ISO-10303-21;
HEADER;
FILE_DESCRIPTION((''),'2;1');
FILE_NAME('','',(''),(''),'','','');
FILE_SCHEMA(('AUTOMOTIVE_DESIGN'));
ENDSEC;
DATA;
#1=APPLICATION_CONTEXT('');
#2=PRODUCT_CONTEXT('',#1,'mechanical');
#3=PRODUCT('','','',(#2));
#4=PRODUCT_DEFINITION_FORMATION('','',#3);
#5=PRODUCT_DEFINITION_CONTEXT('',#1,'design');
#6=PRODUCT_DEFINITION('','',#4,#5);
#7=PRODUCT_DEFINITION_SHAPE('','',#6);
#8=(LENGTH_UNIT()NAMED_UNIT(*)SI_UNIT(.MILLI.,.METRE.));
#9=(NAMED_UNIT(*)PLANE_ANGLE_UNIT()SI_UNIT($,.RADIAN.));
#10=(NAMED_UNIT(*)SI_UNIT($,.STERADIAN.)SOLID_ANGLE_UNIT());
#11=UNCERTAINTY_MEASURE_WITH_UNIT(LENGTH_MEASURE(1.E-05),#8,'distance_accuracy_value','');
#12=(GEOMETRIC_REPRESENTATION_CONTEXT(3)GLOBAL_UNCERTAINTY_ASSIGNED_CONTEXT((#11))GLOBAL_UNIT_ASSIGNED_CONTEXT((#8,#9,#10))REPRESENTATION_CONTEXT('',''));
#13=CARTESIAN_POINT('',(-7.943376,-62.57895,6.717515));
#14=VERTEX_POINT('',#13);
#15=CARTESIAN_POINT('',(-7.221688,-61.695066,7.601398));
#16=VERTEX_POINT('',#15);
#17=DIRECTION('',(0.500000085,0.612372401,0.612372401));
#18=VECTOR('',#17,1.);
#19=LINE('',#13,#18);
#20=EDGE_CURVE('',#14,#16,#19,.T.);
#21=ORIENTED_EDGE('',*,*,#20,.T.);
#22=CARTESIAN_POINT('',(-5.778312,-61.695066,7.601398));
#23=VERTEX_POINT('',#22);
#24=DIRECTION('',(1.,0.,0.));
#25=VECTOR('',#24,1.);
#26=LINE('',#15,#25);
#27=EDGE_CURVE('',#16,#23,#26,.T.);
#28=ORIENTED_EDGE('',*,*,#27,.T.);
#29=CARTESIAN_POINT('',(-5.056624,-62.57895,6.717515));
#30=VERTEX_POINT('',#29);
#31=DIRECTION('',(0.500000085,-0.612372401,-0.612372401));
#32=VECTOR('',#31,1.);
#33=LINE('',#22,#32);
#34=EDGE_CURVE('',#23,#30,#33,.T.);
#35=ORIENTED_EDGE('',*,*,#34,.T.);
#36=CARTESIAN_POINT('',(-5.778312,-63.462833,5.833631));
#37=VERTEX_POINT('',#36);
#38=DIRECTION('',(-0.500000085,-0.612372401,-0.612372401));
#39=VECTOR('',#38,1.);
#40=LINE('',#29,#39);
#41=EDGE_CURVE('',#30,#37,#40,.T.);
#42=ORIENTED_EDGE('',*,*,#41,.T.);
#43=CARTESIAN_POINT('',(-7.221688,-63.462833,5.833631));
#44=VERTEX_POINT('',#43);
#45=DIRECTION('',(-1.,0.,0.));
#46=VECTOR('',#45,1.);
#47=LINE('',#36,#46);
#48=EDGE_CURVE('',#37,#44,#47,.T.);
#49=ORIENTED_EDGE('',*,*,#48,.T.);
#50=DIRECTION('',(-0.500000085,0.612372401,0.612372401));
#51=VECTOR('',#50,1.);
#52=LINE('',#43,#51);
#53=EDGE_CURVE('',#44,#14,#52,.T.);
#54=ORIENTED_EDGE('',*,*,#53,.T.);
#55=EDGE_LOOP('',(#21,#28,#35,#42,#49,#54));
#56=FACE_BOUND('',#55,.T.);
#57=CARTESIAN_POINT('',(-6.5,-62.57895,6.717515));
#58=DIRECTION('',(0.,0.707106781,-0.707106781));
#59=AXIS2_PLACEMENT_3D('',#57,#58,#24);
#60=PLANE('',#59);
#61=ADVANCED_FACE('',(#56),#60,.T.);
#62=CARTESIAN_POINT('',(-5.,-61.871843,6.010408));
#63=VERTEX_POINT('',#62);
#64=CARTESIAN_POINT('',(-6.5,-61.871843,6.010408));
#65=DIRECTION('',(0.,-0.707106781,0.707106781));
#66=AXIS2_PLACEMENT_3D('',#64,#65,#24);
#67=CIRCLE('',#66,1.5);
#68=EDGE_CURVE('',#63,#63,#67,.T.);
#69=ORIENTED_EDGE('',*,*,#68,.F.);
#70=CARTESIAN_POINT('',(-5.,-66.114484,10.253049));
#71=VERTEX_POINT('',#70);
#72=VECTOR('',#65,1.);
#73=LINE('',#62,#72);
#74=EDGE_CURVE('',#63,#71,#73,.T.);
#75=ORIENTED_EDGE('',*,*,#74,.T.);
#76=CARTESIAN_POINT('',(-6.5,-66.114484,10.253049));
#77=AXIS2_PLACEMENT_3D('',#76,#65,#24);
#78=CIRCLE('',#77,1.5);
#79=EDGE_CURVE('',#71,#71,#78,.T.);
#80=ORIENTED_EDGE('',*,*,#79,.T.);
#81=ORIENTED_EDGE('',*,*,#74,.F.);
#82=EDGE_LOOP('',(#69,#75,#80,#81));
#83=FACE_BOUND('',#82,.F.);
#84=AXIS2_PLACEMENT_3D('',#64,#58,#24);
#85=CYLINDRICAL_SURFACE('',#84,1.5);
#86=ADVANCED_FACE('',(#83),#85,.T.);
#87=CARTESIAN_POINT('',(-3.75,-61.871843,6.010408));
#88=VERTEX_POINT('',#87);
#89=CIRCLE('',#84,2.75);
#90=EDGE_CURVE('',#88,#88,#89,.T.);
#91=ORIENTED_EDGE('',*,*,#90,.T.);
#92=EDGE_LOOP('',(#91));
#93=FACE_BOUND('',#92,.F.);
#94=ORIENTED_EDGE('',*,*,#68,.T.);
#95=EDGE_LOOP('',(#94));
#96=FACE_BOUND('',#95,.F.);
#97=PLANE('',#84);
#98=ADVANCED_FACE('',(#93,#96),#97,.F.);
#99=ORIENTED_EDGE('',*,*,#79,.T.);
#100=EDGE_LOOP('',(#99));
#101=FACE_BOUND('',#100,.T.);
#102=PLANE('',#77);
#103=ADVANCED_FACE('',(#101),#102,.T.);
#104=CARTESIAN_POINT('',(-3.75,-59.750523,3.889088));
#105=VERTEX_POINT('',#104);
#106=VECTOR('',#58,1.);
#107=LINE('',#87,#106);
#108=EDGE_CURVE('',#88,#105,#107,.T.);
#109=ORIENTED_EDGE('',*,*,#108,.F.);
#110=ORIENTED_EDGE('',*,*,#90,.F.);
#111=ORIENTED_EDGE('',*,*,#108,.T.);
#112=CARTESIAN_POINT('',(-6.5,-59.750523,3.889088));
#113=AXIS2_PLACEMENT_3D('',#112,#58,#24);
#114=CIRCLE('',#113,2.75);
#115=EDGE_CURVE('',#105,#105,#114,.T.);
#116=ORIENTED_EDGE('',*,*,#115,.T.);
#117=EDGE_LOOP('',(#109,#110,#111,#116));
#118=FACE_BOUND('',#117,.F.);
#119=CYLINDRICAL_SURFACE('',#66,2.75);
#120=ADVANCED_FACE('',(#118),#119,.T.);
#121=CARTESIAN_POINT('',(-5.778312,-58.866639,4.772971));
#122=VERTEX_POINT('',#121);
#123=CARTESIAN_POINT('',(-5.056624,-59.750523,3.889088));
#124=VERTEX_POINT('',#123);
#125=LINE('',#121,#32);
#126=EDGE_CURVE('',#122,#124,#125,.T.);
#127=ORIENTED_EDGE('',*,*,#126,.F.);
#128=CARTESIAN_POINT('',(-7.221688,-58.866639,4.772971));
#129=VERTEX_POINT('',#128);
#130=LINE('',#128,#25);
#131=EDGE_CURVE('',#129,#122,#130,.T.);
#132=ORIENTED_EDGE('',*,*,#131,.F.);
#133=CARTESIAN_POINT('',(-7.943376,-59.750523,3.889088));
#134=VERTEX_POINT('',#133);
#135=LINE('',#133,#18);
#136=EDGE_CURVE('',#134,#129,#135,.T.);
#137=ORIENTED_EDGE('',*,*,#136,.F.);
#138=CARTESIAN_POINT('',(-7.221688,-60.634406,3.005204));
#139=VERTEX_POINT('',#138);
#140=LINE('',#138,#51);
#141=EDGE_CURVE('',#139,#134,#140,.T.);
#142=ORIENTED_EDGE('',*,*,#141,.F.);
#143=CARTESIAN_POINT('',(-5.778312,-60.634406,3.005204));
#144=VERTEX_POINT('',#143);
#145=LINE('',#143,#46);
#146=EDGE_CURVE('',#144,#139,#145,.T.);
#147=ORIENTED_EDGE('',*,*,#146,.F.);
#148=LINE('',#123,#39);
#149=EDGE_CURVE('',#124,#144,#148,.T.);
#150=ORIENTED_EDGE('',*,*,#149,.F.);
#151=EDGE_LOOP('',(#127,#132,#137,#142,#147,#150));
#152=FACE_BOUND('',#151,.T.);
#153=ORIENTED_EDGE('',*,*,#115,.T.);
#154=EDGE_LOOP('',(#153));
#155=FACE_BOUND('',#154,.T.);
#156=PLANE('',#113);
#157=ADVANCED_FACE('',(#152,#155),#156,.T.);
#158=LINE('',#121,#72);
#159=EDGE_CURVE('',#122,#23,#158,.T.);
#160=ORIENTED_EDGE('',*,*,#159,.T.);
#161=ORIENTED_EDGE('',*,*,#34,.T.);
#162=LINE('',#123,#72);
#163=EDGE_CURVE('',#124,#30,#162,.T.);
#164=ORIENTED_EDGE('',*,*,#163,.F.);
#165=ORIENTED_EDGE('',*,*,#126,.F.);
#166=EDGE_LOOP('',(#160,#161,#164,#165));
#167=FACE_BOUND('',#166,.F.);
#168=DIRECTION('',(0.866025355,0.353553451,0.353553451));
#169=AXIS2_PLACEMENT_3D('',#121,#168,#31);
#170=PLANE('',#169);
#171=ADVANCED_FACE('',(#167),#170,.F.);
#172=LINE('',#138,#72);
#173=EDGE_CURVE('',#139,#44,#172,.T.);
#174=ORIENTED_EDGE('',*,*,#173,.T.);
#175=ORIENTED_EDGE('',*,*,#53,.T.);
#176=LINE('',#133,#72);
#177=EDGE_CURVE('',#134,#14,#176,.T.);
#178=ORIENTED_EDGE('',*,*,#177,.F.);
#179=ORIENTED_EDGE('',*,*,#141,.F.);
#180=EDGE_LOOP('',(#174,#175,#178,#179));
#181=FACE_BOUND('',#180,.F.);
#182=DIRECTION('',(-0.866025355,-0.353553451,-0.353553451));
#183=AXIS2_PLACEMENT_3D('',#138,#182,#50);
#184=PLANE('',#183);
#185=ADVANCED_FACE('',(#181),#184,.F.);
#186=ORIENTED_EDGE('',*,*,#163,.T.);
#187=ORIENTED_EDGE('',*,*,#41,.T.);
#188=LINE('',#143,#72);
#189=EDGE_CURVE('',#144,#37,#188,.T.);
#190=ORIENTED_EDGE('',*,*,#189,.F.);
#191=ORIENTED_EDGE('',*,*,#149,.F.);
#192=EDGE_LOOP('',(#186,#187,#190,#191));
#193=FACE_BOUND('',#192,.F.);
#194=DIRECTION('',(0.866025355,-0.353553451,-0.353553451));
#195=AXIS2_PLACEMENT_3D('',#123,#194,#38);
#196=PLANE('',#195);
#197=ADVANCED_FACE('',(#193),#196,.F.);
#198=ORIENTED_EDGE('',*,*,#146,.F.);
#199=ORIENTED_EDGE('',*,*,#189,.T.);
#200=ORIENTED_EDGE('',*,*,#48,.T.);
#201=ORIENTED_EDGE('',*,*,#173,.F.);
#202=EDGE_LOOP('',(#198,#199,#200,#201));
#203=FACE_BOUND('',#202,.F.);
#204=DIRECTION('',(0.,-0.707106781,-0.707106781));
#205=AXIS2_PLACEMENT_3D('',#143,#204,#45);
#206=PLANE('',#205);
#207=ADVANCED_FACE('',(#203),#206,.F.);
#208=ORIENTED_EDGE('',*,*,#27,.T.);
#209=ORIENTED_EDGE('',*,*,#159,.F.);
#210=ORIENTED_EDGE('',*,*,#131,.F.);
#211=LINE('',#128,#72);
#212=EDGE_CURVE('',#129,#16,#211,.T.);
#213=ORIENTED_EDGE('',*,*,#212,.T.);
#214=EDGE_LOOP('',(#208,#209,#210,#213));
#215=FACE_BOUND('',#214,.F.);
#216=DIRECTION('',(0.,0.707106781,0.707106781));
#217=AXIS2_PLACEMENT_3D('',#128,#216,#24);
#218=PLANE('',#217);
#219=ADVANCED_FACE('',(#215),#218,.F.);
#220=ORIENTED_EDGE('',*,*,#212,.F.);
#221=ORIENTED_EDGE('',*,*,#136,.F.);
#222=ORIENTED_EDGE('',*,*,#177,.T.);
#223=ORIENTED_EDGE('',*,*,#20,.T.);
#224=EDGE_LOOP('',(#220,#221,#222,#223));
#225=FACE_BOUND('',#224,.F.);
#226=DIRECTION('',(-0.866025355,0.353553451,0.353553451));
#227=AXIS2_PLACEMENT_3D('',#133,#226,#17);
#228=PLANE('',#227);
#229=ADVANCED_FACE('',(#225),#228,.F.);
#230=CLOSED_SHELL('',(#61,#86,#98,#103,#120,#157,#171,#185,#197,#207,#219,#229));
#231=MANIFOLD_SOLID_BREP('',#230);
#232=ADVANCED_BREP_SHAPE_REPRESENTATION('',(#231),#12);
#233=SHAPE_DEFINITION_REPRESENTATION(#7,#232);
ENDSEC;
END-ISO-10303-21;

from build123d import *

# Parameters (mm, degrees)
SKETCH034_R             = 2.75
PAD019_DEPTH            = 3
SKETCH001_R             = 1.5
PAD020_DEPTH            = 6
POCKET016_DEPTH         = 4
BODY009_PLACEMENT_ANGLE = 225


with BuildPart() as part:
    # Sketch034 → Pad019 (new body)
    with BuildSketch(Plane.XY):
        Circle(SKETCH034_R)
    extrude(amount=PAD019_DEPTH)

    # Sketch001 (on Face2 of Pad019) → Pad020 (join)
    with BuildSketch(Plane(origin=(0, 0, 0), x_dir=(1, 0, 0), z_dir=(0, 0, -1))):
        Circle(SKETCH001_R)
    extrude(amount=PAD020_DEPTH)

    # Sketch035 (on DatumPlane) → Pocket016 (cut)
    with BuildSketch(Plane.XY.offset(3)):
        Polygon((0.721688, -1.25), (1.443376, 0), (0.721688, 1.25), (-0.721688, 1.25), (-1.443376, 0), (-0.721688, -1.25), align=None)
    extrude(amount=-POCKET016_DEPTH, mode=Mode.SUBTRACT)


with BuildPart() as part_1:
    # Body009 placement: moved
    add(part.part.moved(Location((-6.5, -61.871843, 6.010408))).rotate(Axis((-6.5, -61.871843, 6.010408), (1, 0, 0)), BODY009_PLACEMENT_ANGLE))


solid = part_1.part
